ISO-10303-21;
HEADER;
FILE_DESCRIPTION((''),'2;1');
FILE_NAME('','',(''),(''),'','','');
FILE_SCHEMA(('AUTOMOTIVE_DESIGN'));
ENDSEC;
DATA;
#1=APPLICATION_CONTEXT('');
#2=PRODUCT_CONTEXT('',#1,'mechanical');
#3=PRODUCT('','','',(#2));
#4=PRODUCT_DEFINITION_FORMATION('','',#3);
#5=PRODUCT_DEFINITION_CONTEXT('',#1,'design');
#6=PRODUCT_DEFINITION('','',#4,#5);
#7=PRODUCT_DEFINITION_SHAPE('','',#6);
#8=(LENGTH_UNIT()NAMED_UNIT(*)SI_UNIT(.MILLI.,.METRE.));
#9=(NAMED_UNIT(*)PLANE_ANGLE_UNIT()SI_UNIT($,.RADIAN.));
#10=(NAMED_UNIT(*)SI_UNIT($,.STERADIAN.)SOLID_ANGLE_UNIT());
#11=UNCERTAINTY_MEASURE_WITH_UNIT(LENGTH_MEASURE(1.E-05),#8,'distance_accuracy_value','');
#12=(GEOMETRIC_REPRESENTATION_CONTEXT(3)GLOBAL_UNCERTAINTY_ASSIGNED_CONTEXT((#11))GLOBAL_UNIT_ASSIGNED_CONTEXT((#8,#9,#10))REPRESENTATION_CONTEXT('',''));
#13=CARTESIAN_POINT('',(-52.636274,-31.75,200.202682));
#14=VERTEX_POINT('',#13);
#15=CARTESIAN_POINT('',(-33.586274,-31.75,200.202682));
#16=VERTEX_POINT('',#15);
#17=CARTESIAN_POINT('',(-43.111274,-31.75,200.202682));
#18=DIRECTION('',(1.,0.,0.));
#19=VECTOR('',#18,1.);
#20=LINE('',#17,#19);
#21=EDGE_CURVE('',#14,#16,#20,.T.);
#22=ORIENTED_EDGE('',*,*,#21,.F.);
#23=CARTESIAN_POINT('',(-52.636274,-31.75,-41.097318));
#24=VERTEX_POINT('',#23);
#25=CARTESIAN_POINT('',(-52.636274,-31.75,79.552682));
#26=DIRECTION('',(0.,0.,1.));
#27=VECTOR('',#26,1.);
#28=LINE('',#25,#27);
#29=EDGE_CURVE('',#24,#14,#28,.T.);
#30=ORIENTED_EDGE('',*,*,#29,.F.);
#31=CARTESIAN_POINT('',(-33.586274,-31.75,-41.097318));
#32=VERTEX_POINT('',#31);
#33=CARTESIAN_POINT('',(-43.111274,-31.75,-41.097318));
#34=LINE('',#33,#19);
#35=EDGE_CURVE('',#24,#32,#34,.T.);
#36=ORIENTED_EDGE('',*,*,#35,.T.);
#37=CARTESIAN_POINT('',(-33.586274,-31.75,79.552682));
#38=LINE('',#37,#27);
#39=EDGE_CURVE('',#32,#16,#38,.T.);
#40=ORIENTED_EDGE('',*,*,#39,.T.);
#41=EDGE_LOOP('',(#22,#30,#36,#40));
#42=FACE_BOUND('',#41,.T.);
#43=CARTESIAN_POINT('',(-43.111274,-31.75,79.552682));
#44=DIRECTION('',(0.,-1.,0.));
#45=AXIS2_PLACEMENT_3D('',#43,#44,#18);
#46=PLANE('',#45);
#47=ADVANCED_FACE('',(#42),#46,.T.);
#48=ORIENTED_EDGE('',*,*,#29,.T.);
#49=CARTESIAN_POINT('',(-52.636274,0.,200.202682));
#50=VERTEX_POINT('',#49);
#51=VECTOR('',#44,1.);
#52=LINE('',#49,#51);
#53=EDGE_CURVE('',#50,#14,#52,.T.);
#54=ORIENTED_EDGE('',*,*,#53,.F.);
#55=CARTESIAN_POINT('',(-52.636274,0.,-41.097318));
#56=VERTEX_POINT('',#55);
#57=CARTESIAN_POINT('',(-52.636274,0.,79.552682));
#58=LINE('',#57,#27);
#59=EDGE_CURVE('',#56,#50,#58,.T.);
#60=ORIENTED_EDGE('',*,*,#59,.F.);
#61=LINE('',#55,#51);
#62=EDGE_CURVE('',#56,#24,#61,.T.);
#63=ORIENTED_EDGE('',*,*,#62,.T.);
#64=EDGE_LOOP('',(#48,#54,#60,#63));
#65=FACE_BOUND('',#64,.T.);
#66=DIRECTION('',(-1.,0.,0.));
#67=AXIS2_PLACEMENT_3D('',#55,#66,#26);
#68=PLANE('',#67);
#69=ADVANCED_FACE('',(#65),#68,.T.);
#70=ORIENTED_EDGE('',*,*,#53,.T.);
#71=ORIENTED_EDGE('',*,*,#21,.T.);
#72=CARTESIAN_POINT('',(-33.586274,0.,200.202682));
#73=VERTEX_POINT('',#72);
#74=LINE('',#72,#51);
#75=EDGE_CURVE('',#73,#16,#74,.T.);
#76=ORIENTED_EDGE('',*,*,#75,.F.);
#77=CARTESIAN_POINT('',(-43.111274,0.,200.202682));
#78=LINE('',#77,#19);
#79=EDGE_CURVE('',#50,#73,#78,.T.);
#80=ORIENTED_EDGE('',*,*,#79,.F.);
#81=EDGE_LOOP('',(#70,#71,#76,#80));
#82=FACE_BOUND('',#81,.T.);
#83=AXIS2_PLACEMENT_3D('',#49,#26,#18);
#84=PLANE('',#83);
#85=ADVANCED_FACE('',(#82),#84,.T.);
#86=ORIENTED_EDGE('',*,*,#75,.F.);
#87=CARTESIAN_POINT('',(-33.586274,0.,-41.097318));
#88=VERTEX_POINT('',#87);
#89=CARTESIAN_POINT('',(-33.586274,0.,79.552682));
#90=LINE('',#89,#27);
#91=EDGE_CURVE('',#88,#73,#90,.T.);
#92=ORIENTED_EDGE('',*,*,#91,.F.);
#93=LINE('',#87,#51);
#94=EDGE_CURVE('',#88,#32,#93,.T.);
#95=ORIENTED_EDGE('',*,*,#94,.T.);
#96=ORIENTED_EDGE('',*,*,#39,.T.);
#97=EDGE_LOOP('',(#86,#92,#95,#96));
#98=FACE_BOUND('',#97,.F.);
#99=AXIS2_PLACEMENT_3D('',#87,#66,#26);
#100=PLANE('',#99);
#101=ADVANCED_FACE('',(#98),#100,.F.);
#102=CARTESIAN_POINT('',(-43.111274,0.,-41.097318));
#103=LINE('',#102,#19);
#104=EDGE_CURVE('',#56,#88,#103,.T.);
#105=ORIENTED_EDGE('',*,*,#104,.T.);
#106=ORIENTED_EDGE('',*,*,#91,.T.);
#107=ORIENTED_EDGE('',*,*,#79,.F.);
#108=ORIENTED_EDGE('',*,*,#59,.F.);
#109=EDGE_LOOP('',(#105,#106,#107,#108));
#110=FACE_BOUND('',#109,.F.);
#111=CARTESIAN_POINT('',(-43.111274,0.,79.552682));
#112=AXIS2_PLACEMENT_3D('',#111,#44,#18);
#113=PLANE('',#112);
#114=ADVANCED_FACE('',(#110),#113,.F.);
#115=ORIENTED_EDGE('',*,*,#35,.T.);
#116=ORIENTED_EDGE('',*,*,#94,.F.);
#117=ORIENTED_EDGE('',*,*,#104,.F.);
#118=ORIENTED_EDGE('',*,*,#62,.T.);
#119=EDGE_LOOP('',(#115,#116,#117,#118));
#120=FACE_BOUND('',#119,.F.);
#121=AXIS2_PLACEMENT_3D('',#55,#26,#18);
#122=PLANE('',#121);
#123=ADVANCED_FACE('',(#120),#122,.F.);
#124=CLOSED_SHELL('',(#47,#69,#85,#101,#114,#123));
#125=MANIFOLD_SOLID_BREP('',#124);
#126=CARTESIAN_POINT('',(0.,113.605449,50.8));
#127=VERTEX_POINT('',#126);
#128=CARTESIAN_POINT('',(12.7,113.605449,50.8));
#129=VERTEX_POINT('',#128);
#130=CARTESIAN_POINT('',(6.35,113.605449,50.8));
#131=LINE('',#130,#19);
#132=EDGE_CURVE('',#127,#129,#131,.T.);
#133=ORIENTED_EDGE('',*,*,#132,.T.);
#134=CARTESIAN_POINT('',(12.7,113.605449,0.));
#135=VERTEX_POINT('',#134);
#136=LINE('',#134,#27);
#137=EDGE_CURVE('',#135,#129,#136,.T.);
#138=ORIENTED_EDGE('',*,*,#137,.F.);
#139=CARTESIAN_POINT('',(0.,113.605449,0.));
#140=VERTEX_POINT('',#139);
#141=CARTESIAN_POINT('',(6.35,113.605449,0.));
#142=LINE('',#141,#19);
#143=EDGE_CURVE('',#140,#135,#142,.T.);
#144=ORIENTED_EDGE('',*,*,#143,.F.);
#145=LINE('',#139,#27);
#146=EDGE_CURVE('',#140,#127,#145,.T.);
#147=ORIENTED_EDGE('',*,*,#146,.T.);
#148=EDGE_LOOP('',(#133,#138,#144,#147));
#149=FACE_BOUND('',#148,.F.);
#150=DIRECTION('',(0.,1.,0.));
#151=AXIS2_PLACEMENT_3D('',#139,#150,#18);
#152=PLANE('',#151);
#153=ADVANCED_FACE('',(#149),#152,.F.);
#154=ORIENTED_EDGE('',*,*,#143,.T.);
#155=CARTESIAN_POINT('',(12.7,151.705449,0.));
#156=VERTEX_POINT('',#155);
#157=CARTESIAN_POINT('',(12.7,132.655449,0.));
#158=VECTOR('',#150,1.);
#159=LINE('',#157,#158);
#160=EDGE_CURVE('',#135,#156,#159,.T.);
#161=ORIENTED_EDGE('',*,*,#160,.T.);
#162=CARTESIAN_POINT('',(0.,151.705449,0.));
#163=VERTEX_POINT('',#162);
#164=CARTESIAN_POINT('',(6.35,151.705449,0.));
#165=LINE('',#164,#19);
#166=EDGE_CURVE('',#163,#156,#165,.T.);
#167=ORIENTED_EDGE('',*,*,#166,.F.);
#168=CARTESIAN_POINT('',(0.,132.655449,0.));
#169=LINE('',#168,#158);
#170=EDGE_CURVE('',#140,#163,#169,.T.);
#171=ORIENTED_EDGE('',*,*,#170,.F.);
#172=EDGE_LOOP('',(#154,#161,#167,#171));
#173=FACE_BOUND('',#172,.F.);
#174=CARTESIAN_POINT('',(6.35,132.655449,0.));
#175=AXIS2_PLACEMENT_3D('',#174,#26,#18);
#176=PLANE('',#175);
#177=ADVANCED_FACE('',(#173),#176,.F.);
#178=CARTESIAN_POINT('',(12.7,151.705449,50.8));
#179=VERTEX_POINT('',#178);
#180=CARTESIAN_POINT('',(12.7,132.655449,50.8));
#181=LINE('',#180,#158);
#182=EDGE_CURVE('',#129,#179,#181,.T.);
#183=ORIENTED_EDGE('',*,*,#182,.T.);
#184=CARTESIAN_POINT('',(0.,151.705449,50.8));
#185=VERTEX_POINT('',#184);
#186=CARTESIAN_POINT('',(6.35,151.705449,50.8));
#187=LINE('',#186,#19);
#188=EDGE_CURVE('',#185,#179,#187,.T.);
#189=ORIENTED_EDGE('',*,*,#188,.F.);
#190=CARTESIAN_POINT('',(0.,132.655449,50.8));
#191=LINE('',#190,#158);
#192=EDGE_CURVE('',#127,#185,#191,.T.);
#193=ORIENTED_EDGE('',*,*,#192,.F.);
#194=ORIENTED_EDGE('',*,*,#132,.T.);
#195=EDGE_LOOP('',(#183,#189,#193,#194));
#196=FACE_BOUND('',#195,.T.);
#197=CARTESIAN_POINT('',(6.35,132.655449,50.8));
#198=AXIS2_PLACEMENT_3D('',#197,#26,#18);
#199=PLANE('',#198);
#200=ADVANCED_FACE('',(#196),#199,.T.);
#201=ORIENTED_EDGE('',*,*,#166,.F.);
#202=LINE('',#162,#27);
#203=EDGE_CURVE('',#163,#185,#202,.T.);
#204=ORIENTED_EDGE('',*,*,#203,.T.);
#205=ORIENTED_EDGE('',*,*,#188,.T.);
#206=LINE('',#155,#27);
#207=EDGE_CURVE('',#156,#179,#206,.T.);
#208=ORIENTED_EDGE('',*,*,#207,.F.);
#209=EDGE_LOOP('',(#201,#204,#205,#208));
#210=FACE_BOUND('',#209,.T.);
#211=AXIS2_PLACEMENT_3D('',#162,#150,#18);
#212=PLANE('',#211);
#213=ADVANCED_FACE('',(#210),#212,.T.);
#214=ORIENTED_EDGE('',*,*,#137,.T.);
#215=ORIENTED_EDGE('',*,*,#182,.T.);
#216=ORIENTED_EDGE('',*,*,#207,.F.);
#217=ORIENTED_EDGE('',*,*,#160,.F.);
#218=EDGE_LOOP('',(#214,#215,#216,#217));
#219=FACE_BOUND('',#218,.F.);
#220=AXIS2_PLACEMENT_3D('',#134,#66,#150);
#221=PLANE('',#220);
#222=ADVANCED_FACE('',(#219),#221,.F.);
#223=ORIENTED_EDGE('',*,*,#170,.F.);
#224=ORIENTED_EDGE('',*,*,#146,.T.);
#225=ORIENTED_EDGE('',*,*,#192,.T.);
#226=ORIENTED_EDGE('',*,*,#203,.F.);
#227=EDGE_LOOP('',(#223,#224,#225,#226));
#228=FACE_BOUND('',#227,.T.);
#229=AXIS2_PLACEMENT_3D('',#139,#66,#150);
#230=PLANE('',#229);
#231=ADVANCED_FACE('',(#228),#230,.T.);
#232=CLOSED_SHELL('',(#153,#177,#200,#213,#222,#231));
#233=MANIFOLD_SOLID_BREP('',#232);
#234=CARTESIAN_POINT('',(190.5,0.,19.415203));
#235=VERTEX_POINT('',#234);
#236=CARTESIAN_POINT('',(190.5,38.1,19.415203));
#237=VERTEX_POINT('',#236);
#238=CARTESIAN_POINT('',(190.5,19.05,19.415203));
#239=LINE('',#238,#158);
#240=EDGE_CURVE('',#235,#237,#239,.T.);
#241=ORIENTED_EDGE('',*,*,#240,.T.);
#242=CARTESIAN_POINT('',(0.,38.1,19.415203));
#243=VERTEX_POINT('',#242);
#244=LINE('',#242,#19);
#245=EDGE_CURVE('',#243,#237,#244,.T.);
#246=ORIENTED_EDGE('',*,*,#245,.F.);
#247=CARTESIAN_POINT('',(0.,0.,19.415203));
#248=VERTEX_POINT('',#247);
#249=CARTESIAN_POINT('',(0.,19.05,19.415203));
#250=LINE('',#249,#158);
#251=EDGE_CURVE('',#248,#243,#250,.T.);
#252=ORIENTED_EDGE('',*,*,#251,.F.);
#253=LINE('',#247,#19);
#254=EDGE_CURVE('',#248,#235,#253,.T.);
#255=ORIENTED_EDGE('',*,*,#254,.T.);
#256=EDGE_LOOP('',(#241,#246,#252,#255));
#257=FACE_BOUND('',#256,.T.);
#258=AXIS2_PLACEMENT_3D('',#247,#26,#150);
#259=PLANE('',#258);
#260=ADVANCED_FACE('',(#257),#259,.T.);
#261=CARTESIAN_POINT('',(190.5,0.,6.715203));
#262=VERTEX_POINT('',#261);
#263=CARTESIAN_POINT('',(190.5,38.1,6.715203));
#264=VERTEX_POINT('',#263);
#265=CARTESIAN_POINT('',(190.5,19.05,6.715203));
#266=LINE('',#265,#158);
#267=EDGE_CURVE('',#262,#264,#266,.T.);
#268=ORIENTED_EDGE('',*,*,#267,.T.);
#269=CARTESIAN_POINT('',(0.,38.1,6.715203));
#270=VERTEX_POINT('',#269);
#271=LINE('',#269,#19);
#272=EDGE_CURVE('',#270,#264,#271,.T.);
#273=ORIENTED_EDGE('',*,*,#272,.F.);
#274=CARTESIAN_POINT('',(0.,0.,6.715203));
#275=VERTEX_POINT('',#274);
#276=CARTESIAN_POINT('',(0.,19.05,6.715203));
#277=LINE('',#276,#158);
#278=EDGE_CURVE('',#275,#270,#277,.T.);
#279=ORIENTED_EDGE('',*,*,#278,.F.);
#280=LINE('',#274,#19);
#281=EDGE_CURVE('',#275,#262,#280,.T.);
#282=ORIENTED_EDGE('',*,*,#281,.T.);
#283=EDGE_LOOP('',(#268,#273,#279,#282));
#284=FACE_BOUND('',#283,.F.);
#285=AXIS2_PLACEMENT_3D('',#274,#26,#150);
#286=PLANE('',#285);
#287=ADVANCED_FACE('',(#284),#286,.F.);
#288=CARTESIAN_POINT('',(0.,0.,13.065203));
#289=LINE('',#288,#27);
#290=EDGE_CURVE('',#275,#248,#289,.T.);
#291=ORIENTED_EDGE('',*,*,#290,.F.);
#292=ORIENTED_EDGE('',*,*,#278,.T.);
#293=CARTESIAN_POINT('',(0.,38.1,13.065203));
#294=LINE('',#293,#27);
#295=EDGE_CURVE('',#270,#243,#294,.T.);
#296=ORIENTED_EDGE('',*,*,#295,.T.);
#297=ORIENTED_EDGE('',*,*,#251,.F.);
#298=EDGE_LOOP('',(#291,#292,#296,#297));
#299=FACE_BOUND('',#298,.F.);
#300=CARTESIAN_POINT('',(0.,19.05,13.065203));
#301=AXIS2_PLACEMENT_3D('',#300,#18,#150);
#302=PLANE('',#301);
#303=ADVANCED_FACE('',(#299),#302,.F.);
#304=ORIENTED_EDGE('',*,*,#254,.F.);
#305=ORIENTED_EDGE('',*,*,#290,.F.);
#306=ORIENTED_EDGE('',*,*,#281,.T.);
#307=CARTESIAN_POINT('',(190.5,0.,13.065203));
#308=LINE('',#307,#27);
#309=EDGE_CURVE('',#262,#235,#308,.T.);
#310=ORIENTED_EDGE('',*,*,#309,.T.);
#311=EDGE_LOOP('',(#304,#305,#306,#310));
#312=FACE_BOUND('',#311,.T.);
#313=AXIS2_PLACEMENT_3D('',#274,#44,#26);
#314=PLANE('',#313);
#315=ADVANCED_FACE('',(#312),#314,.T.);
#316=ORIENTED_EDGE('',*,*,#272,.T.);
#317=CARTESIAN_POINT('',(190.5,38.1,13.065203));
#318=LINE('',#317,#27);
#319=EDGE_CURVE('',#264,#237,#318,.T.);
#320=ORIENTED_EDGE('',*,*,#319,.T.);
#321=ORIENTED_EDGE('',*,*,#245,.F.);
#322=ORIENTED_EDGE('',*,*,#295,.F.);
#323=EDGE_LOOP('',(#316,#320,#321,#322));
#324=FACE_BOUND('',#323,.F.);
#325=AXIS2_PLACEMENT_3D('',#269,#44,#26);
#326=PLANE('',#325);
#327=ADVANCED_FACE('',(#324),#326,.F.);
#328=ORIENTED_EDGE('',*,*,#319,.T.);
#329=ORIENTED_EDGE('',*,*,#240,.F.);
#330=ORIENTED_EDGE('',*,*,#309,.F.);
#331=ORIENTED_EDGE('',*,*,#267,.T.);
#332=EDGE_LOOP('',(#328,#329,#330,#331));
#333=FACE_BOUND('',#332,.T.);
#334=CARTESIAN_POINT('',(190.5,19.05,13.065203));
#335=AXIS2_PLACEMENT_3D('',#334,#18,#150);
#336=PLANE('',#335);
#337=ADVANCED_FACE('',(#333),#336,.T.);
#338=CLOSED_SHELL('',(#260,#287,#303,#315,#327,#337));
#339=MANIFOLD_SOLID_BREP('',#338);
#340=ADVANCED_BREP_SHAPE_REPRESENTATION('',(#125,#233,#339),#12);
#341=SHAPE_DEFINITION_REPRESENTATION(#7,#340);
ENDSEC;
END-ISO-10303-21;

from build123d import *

# Parameters (mm, degrees)
F0_W     = 19.05
F0_H     = 241.3
F1_DEPTH = 31.75
F2_W     = 38.1
F2_H     = 12.7
F3_DEPTH = 190.5
F4_W     = 12.7
F4_H     = 38.1
F5_DEPTH = 50.8


with BuildPart() as f1:
    # F0 (on Front) → F1 (new body)
    with BuildSketch(Plane.XZ):
        with Locations((-43.111274, 79.552682)):
            Rectangle(F0_W, F0_H)
    extrude(amount=F1_DEPTH)


with BuildPart() as f3:
    # F2 (on Right) → F3 (new body)
    with BuildSketch(Plane.YZ):
        with Locations((19.05, 13.065203)):
            Rectangle(F2_W, F2_H)
    extrude(amount=F3_DEPTH)


with BuildPart() as f5:
    # F4 (on Top) → F5 (new body)
    with BuildSketch(Plane.XY):
        with Locations((6.35, 132.655449)):
            Rectangle(F4_W, F4_H)
    extrude(amount=F5_DEPTH)


solid = Compound([f1.part, f3.part, f5.part])
